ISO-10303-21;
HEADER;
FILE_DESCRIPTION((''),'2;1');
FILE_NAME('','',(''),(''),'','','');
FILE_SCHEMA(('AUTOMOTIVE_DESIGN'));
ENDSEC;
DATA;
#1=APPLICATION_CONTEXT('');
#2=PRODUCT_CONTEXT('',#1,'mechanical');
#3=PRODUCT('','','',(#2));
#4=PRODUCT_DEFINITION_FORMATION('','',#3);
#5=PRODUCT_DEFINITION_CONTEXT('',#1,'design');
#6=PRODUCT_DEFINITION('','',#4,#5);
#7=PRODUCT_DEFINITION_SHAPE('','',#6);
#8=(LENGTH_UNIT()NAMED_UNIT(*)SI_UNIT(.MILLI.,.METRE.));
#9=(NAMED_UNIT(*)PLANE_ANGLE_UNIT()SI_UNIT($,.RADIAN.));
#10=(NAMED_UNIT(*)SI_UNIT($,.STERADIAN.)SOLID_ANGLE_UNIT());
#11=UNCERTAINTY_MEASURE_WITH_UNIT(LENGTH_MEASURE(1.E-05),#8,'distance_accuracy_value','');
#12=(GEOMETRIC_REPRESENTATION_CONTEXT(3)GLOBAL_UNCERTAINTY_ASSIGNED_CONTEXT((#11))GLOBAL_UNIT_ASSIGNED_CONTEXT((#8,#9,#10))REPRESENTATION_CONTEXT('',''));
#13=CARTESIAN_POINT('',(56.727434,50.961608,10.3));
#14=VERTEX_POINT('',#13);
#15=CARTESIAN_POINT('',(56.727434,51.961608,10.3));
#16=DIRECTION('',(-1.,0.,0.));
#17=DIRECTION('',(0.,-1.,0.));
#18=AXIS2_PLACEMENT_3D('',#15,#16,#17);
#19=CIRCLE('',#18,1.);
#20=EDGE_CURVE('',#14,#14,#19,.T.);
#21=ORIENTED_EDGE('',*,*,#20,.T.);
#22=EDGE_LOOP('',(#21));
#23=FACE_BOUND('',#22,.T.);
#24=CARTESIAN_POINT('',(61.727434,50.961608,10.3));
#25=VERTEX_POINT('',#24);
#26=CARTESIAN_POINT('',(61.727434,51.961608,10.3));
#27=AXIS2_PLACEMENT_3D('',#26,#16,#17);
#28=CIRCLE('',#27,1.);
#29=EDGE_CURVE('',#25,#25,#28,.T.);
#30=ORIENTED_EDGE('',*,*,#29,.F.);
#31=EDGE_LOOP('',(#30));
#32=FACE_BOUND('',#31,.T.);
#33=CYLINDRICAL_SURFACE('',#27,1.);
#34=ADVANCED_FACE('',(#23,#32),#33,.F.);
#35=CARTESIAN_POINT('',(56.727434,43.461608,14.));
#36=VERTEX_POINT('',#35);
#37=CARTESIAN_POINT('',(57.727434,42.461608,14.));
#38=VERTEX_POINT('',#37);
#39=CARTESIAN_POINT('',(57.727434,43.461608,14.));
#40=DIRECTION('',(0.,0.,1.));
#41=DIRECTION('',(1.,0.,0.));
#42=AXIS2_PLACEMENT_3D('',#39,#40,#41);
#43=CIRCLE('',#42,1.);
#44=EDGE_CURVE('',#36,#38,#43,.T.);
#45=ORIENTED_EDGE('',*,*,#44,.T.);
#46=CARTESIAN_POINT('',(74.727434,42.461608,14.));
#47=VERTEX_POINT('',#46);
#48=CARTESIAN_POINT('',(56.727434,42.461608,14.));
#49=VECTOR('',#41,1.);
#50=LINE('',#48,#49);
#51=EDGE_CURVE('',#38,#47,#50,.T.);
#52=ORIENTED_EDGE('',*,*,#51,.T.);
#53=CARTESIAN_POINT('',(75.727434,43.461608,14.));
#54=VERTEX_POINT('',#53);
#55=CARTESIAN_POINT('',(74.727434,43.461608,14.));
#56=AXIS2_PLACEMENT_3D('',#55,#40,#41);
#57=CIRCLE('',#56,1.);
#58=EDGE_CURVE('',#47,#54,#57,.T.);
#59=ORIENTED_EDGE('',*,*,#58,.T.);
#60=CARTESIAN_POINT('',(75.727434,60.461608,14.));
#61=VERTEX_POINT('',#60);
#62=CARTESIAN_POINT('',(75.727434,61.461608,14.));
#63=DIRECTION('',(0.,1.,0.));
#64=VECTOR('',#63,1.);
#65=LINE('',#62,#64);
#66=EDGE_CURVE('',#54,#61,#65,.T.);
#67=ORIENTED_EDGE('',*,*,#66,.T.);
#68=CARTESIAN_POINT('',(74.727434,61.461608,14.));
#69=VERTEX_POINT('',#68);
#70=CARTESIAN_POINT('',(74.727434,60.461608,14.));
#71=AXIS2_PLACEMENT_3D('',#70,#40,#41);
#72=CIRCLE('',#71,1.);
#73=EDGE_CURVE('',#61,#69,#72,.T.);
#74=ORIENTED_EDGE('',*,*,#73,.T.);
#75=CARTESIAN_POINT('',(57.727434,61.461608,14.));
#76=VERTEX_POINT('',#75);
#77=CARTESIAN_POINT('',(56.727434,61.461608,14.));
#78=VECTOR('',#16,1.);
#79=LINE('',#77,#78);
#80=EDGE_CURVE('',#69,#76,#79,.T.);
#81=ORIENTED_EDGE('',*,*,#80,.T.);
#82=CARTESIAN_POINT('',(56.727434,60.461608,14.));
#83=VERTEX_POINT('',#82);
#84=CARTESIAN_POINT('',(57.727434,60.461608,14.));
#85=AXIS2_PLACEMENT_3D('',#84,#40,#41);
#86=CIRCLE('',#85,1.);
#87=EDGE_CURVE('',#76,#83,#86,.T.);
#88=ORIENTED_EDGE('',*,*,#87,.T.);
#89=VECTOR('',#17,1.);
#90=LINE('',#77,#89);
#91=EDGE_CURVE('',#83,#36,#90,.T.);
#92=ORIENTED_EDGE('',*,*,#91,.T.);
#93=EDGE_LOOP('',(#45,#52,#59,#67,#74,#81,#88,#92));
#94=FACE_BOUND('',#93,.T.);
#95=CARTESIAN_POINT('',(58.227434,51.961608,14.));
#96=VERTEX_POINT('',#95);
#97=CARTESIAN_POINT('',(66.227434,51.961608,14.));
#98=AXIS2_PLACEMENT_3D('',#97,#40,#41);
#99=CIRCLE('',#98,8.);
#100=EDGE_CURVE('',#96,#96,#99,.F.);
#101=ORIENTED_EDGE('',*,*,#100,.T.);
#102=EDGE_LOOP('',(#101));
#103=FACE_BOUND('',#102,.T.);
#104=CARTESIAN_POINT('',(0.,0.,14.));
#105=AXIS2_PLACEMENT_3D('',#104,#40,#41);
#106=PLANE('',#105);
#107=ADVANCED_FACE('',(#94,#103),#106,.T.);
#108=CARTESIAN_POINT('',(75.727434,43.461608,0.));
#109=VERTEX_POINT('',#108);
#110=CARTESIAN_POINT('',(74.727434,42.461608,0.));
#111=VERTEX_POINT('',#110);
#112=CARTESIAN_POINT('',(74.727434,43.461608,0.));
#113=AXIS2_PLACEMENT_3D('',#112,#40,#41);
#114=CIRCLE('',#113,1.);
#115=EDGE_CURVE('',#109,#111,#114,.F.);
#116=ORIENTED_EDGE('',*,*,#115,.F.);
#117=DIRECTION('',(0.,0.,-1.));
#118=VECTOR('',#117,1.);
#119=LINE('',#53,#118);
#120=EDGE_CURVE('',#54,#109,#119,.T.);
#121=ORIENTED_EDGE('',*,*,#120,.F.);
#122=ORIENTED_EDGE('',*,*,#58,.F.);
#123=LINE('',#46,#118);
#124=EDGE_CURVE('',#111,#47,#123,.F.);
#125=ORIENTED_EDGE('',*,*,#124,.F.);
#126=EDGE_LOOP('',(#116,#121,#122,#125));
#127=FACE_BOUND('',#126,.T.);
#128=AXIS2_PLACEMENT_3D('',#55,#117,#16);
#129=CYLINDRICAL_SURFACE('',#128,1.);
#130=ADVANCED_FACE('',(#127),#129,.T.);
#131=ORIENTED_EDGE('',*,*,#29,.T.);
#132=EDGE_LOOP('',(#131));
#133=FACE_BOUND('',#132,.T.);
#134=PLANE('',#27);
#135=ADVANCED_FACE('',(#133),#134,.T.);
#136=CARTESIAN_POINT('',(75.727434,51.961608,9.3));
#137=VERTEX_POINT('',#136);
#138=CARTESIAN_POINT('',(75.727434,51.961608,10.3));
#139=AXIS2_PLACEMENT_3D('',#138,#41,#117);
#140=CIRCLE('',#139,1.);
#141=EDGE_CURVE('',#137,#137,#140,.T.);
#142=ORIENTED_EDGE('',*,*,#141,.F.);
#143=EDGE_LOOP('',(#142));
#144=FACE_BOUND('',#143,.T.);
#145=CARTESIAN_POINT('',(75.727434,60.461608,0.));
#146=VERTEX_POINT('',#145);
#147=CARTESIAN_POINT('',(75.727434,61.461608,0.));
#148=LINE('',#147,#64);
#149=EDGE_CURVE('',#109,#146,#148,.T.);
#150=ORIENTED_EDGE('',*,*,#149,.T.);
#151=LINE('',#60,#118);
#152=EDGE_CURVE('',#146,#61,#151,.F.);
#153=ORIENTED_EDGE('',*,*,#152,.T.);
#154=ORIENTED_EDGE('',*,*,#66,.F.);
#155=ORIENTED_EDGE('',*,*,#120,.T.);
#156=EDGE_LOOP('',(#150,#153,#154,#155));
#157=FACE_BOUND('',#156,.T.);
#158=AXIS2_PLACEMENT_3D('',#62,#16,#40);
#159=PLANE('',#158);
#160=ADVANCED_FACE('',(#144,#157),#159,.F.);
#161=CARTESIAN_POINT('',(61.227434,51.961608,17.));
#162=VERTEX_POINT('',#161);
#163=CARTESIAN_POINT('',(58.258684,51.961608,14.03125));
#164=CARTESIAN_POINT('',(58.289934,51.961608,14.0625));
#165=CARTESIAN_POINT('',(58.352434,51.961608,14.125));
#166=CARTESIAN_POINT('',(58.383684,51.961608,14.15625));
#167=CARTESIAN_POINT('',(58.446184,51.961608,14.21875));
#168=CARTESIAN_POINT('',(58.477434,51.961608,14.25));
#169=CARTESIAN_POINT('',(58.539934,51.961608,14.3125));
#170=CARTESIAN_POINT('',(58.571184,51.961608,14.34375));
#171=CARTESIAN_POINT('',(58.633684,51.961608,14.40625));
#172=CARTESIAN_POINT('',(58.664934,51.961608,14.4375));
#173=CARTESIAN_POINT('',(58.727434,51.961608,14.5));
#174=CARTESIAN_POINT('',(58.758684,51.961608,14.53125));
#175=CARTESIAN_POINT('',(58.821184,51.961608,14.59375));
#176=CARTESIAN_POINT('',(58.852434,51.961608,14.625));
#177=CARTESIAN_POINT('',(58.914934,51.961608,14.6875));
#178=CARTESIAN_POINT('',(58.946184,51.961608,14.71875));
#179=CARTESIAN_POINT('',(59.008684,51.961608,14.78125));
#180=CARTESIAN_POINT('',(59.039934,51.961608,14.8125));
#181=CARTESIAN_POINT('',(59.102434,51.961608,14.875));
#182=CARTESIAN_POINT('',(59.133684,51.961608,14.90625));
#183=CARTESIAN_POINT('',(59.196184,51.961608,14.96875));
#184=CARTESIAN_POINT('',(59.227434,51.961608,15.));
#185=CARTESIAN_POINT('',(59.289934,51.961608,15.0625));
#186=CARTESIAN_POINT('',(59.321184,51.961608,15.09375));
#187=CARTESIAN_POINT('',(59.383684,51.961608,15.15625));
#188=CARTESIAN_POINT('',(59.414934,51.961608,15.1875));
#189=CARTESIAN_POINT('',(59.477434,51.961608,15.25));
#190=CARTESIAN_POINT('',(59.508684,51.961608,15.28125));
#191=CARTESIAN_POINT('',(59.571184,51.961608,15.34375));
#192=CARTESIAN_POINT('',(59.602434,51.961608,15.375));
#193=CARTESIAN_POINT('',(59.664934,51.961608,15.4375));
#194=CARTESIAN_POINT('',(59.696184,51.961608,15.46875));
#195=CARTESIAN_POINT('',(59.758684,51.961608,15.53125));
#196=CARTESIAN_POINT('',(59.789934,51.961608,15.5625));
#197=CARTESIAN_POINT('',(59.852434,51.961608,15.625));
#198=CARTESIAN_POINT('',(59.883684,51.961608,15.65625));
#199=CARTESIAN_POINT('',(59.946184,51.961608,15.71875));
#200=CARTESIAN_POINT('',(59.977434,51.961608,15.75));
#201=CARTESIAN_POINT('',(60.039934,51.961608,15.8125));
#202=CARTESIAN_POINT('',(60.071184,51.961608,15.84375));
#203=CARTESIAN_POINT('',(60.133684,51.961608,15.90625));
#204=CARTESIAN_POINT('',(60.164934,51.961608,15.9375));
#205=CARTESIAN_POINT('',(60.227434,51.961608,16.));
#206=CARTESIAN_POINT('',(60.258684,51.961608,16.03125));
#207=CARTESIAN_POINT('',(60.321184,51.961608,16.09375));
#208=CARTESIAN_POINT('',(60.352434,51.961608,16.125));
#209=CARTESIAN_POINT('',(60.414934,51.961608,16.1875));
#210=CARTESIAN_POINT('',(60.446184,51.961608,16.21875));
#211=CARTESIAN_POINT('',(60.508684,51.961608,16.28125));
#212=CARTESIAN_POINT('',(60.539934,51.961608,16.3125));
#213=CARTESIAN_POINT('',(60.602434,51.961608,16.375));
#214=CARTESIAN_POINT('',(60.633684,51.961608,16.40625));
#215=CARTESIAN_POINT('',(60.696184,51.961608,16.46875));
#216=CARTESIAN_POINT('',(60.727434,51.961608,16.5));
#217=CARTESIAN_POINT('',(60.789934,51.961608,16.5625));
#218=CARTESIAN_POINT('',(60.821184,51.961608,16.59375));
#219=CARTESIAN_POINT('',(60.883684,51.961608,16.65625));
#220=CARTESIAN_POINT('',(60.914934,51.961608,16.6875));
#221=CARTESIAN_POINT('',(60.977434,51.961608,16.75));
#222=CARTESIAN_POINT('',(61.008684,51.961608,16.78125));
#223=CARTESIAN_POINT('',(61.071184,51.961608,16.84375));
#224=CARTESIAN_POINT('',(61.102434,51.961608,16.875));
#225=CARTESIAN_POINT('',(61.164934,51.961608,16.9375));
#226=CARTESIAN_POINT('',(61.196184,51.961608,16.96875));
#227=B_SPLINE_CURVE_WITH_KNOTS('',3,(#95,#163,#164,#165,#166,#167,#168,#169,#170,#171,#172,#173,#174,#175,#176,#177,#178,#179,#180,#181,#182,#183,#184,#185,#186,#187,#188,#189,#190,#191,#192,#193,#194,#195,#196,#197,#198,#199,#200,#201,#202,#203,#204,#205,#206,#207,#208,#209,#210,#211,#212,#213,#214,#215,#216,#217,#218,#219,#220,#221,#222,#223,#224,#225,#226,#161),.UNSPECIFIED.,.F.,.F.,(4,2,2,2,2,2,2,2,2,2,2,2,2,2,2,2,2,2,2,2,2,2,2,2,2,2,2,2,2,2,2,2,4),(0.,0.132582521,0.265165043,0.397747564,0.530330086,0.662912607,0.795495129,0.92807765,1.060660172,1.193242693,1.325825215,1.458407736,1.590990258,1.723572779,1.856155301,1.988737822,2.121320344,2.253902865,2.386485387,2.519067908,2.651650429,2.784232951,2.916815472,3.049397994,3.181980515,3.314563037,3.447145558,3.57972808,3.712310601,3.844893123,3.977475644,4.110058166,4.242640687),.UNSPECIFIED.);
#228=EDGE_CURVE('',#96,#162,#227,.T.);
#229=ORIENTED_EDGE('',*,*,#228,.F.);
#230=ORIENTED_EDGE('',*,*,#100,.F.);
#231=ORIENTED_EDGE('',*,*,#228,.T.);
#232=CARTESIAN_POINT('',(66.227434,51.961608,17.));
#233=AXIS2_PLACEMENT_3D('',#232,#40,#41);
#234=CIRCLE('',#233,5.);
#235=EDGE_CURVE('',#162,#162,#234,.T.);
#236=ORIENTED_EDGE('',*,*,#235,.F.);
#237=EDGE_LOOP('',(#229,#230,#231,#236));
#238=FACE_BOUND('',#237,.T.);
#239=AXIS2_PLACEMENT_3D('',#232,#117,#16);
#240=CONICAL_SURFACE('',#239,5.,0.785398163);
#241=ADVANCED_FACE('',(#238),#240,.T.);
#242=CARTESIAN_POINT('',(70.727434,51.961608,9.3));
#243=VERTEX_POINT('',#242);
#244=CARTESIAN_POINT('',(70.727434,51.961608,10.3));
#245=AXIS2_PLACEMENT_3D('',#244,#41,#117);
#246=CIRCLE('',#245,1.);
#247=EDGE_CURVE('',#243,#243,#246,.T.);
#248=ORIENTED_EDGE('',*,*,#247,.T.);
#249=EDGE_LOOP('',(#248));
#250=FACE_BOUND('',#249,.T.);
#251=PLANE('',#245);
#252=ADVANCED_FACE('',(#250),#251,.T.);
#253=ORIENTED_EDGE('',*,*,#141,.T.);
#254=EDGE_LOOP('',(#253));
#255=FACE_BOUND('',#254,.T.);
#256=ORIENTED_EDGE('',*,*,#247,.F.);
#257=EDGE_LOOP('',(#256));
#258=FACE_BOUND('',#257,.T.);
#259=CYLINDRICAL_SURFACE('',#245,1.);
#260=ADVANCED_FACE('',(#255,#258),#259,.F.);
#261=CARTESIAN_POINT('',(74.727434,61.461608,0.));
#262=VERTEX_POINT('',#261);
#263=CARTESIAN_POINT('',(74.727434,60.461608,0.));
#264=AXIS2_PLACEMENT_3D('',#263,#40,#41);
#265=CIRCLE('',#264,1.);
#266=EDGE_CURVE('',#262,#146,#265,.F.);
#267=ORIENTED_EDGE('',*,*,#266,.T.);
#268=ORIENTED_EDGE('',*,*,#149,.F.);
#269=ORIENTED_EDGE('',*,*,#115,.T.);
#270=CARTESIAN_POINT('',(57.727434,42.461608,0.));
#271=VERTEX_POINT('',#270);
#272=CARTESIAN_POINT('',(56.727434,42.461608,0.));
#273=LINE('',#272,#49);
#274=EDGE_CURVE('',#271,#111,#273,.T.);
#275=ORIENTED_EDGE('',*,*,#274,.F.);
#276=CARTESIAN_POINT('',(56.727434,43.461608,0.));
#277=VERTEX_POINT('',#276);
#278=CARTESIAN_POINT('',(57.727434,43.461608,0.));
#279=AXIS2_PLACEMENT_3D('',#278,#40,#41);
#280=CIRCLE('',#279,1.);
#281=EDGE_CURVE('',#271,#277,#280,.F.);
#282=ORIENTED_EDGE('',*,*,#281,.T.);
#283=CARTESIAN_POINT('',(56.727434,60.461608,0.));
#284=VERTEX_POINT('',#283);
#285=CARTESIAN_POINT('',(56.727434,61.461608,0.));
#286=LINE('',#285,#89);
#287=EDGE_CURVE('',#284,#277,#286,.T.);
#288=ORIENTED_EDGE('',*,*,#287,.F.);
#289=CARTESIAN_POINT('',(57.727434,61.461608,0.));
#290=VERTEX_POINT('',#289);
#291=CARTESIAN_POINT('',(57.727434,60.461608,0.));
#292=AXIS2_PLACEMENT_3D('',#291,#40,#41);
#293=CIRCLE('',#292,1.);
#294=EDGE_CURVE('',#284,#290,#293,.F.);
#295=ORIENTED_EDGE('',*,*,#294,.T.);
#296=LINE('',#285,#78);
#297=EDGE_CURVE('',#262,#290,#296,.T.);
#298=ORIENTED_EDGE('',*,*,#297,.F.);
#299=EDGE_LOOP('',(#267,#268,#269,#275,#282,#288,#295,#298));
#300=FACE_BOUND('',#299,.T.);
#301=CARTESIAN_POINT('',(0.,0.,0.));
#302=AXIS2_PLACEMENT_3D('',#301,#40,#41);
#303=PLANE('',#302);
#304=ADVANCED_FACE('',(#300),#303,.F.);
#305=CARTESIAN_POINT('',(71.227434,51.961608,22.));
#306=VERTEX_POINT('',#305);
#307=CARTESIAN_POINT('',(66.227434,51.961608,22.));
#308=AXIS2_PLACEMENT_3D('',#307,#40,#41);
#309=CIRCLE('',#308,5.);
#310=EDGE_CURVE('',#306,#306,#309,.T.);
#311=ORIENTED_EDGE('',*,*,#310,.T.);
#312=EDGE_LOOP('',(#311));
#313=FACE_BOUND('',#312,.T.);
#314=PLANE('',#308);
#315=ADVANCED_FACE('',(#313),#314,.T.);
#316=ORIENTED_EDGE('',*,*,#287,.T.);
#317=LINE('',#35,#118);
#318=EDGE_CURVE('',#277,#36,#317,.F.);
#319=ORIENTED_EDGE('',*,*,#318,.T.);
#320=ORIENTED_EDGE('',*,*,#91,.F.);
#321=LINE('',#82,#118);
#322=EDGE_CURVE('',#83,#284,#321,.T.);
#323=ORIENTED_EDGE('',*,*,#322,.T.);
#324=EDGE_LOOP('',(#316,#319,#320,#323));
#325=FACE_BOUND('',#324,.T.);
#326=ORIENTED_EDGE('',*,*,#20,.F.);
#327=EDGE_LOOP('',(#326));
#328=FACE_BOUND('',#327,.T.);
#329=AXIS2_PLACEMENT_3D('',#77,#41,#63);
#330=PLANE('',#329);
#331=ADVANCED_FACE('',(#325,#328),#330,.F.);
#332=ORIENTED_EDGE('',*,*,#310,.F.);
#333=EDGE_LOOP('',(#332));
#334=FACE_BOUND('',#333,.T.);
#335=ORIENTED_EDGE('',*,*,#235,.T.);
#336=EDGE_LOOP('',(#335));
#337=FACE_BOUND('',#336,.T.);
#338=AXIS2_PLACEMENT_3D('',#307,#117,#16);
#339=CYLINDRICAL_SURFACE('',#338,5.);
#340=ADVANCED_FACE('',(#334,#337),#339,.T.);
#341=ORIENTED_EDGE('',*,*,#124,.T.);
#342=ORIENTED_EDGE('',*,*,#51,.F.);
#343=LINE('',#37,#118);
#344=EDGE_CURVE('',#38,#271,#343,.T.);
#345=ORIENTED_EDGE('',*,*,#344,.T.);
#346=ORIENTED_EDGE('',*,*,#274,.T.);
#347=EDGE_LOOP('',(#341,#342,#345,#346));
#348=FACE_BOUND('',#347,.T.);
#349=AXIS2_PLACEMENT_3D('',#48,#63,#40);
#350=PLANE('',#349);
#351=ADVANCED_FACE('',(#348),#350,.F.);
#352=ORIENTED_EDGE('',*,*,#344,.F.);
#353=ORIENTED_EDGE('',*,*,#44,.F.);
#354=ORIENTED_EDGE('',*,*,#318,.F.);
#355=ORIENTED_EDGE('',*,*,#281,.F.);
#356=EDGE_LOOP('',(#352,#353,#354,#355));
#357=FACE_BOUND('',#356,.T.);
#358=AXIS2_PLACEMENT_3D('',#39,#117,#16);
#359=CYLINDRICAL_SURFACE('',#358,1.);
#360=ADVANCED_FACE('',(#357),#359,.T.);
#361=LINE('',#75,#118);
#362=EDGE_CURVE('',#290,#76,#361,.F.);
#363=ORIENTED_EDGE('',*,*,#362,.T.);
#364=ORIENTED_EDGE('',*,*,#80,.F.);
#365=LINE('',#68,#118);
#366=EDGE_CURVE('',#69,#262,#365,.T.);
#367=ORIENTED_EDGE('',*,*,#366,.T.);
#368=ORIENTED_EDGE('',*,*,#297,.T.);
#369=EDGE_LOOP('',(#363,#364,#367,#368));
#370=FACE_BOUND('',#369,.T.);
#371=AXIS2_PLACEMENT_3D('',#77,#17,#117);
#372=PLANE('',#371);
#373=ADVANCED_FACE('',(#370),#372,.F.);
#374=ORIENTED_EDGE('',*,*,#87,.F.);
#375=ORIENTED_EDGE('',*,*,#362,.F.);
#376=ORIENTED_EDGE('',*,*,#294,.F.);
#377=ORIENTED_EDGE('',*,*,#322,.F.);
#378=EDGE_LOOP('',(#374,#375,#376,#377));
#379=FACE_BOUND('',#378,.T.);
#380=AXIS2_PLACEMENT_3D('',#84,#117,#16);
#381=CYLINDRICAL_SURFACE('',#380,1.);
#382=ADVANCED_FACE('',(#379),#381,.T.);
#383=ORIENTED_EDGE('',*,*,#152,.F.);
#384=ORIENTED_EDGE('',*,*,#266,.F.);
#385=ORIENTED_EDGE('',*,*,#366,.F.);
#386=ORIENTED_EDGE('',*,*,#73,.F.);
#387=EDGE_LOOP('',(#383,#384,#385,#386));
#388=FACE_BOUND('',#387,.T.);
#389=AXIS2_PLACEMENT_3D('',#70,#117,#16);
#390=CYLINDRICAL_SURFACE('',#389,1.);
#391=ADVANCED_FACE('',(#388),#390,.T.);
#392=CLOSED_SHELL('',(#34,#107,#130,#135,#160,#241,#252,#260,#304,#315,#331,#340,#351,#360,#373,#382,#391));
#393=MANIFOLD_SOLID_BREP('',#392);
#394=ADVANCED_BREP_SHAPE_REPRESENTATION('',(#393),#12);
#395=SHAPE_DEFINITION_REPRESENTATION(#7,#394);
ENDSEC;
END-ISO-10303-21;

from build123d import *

# Parameters (mm, degrees)
SKETCH1_W           = 19
SKETCH1_H           = 19
BOSS_EXTRUDE1_DEPTH = 14
FILLET1_R           = 1
SKETCH2_R           = 5
BOSS_EXTRUDE2_DEPTH = 8
CHAMFER1_SIZE       = 3
SKETCH3_R           = 1
CUT_EXTRUDE1_DEPTH  = 5
CUT_EXTRUDE2_START  = -5
SKETCH4_R           = 1
CUT_EXTRUDE2_DEPTH  = 5


with BuildPart() as part:
    # Sketch1 → Boss-Extrude1 (new body)
    with BuildSketch(Plane.XY):
        with Locations((66.227433771, 51.961607523)):
            Rectangle(SKETCH1_W, SKETCH1_H)
    extrude(amount=BOSS_EXTRUDE1_DEPTH)

    # Fillet1
    fillet1_edges = [part.edges().sort_by_distance(p)[0] for p in [
        (56.727433771, 61.461607523, 7),
        (75.727433771, 61.461607523, 7),
        (75.727433771, 42.461607523, 7),
        (56.727433771, 42.461607523, 7),
    ]]
    fillet(fillet1_edges, radius=FILLET1_R)

    # Sketch2 → Boss-Extrude2 (add)
    with BuildSketch(Plane.XY.offset(14)):
        with Locations((66.227433771, 51.961607523)):
            Circle(SKETCH2_R)
    extrude(amount=BOSS_EXTRUDE2_DEPTH)

    # Chamfer1
    chamfer1_edges = [part.edges().sort_by_distance(p)[0] for p in [
        (61.227433771, 51.961607523, 14),
    ]]
    chamfer(chamfer1_edges, length=CHAMFER1_SIZE)

    # Sketch3 → Cut-Extrude1 (cut)
    with BuildSketch(Plane.ZY.offset(-56.727433771)):
        with Locations(Location((10.3, 51.961607523, 0), (0, 0, 270))):
            Circle(SKETCH3_R)
    extrude(amount=-CUT_EXTRUDE1_DEPTH, mode=Mode.SUBTRACT)

    # Sketch4 → Cut-Extrude2 (cut)
    with BuildSketch(Plane(origin=(75.727433771, 0, 0), x_dir=(0, 0, -1), z_dir=(1, 0, 0)).offset(CUT_EXTRUDE2_START)):
        with Locations(Location((-10.3, 51.961607523, 0), (0, 0, 270))):
            Circle(SKETCH4_R)
    extrude(amount=CUT_EXTRUDE2_DEPTH, mode=Mode.SUBTRACT)


solid = part.part
